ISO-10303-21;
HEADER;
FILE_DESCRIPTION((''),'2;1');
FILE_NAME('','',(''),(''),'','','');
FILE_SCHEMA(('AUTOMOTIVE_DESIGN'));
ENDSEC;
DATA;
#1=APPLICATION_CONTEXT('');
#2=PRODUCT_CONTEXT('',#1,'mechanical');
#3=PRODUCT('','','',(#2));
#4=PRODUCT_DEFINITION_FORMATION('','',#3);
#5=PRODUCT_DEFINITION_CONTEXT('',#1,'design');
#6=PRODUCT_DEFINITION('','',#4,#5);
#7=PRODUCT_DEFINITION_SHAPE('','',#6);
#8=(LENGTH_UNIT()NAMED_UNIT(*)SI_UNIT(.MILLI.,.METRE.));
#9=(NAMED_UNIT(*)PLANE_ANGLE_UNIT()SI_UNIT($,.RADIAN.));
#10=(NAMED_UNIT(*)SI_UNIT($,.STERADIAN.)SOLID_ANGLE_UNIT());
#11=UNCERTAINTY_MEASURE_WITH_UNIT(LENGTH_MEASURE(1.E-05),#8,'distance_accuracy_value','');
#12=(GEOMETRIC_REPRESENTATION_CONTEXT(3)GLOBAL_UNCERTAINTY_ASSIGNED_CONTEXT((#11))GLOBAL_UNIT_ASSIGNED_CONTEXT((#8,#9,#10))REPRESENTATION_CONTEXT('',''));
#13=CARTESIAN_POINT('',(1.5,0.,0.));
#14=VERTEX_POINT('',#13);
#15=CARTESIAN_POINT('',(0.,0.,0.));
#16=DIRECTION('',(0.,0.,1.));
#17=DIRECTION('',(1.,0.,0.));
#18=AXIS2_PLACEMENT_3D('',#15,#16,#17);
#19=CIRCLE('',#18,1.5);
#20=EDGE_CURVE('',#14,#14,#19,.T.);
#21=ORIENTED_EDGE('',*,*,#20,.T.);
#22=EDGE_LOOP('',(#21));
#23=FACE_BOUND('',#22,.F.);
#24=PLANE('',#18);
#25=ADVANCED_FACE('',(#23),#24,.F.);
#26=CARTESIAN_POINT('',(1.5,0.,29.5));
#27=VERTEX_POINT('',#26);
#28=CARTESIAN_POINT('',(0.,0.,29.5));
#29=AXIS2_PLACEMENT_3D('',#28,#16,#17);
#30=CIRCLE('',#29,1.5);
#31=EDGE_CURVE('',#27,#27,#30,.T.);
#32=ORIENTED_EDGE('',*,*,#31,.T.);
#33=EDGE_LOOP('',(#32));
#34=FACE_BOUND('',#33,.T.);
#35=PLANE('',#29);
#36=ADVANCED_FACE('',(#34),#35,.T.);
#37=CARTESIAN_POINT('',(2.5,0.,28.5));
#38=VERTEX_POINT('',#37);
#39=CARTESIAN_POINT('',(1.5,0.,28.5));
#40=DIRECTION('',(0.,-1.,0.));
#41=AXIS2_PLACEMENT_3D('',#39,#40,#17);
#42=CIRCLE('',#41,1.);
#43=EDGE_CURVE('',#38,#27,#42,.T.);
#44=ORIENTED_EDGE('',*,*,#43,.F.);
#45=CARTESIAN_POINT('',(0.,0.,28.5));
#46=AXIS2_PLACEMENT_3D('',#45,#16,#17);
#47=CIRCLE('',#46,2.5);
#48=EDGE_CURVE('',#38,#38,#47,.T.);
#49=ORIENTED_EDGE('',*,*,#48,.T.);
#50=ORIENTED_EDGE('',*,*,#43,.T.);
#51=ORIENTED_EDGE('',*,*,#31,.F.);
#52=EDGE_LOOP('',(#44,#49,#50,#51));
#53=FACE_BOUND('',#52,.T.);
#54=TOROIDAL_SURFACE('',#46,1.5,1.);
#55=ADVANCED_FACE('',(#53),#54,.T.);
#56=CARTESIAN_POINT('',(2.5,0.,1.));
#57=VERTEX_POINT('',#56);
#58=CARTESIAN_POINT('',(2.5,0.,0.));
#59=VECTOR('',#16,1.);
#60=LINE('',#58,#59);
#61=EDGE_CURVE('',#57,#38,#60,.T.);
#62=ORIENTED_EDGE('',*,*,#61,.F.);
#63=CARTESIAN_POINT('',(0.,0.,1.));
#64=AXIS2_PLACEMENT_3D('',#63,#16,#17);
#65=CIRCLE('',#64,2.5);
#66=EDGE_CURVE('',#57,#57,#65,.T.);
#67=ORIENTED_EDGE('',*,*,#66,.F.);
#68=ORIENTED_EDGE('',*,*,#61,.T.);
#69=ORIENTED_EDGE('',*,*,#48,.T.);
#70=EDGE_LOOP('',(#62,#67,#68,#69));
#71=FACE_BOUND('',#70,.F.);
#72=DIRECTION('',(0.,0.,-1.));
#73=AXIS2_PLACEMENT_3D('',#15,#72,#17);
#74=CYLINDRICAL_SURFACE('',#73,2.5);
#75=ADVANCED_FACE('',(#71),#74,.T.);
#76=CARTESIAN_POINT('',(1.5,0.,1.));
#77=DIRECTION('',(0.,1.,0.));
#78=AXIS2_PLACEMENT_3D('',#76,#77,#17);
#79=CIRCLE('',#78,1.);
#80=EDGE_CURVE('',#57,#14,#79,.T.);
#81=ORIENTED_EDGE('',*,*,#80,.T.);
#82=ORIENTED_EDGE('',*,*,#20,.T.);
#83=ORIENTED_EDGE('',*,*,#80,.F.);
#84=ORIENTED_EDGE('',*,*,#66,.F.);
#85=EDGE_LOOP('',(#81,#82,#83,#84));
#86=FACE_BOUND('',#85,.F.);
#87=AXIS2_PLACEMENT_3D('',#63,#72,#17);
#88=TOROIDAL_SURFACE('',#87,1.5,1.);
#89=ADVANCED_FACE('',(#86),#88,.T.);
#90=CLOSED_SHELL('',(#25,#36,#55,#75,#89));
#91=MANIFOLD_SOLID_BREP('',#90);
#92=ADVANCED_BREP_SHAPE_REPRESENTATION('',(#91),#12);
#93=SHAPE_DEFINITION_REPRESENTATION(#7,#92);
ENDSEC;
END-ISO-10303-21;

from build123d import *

# Parameters (mm, degrees)
SKETCH_R    = 2.5
PAD_DEPTH   = 29.5
FILLET_R    = 1
FILLET001_R = 1


with BuildPart() as part:
    # Sketch → Pad (new body)
    with BuildSketch(Plane.XY):
        Circle(SKETCH_R)
    extrude(amount=PAD_DEPTH)

    # Fillet
    fillet_edges = [part.edges().sort_by_distance(p)[0] for p in [
        (-2.5, 0, 0),
    ]]
    fillet(fillet_edges, radius=FILLET_R)

    # Fillet001
    fillet001_edges = [part.edges().sort_by_distance(p)[0] for p in [
        (-2.5, 0, 29.5),
    ]]
    fillet(fillet001_edges, radius=FILLET001_R)


solid = part.part
